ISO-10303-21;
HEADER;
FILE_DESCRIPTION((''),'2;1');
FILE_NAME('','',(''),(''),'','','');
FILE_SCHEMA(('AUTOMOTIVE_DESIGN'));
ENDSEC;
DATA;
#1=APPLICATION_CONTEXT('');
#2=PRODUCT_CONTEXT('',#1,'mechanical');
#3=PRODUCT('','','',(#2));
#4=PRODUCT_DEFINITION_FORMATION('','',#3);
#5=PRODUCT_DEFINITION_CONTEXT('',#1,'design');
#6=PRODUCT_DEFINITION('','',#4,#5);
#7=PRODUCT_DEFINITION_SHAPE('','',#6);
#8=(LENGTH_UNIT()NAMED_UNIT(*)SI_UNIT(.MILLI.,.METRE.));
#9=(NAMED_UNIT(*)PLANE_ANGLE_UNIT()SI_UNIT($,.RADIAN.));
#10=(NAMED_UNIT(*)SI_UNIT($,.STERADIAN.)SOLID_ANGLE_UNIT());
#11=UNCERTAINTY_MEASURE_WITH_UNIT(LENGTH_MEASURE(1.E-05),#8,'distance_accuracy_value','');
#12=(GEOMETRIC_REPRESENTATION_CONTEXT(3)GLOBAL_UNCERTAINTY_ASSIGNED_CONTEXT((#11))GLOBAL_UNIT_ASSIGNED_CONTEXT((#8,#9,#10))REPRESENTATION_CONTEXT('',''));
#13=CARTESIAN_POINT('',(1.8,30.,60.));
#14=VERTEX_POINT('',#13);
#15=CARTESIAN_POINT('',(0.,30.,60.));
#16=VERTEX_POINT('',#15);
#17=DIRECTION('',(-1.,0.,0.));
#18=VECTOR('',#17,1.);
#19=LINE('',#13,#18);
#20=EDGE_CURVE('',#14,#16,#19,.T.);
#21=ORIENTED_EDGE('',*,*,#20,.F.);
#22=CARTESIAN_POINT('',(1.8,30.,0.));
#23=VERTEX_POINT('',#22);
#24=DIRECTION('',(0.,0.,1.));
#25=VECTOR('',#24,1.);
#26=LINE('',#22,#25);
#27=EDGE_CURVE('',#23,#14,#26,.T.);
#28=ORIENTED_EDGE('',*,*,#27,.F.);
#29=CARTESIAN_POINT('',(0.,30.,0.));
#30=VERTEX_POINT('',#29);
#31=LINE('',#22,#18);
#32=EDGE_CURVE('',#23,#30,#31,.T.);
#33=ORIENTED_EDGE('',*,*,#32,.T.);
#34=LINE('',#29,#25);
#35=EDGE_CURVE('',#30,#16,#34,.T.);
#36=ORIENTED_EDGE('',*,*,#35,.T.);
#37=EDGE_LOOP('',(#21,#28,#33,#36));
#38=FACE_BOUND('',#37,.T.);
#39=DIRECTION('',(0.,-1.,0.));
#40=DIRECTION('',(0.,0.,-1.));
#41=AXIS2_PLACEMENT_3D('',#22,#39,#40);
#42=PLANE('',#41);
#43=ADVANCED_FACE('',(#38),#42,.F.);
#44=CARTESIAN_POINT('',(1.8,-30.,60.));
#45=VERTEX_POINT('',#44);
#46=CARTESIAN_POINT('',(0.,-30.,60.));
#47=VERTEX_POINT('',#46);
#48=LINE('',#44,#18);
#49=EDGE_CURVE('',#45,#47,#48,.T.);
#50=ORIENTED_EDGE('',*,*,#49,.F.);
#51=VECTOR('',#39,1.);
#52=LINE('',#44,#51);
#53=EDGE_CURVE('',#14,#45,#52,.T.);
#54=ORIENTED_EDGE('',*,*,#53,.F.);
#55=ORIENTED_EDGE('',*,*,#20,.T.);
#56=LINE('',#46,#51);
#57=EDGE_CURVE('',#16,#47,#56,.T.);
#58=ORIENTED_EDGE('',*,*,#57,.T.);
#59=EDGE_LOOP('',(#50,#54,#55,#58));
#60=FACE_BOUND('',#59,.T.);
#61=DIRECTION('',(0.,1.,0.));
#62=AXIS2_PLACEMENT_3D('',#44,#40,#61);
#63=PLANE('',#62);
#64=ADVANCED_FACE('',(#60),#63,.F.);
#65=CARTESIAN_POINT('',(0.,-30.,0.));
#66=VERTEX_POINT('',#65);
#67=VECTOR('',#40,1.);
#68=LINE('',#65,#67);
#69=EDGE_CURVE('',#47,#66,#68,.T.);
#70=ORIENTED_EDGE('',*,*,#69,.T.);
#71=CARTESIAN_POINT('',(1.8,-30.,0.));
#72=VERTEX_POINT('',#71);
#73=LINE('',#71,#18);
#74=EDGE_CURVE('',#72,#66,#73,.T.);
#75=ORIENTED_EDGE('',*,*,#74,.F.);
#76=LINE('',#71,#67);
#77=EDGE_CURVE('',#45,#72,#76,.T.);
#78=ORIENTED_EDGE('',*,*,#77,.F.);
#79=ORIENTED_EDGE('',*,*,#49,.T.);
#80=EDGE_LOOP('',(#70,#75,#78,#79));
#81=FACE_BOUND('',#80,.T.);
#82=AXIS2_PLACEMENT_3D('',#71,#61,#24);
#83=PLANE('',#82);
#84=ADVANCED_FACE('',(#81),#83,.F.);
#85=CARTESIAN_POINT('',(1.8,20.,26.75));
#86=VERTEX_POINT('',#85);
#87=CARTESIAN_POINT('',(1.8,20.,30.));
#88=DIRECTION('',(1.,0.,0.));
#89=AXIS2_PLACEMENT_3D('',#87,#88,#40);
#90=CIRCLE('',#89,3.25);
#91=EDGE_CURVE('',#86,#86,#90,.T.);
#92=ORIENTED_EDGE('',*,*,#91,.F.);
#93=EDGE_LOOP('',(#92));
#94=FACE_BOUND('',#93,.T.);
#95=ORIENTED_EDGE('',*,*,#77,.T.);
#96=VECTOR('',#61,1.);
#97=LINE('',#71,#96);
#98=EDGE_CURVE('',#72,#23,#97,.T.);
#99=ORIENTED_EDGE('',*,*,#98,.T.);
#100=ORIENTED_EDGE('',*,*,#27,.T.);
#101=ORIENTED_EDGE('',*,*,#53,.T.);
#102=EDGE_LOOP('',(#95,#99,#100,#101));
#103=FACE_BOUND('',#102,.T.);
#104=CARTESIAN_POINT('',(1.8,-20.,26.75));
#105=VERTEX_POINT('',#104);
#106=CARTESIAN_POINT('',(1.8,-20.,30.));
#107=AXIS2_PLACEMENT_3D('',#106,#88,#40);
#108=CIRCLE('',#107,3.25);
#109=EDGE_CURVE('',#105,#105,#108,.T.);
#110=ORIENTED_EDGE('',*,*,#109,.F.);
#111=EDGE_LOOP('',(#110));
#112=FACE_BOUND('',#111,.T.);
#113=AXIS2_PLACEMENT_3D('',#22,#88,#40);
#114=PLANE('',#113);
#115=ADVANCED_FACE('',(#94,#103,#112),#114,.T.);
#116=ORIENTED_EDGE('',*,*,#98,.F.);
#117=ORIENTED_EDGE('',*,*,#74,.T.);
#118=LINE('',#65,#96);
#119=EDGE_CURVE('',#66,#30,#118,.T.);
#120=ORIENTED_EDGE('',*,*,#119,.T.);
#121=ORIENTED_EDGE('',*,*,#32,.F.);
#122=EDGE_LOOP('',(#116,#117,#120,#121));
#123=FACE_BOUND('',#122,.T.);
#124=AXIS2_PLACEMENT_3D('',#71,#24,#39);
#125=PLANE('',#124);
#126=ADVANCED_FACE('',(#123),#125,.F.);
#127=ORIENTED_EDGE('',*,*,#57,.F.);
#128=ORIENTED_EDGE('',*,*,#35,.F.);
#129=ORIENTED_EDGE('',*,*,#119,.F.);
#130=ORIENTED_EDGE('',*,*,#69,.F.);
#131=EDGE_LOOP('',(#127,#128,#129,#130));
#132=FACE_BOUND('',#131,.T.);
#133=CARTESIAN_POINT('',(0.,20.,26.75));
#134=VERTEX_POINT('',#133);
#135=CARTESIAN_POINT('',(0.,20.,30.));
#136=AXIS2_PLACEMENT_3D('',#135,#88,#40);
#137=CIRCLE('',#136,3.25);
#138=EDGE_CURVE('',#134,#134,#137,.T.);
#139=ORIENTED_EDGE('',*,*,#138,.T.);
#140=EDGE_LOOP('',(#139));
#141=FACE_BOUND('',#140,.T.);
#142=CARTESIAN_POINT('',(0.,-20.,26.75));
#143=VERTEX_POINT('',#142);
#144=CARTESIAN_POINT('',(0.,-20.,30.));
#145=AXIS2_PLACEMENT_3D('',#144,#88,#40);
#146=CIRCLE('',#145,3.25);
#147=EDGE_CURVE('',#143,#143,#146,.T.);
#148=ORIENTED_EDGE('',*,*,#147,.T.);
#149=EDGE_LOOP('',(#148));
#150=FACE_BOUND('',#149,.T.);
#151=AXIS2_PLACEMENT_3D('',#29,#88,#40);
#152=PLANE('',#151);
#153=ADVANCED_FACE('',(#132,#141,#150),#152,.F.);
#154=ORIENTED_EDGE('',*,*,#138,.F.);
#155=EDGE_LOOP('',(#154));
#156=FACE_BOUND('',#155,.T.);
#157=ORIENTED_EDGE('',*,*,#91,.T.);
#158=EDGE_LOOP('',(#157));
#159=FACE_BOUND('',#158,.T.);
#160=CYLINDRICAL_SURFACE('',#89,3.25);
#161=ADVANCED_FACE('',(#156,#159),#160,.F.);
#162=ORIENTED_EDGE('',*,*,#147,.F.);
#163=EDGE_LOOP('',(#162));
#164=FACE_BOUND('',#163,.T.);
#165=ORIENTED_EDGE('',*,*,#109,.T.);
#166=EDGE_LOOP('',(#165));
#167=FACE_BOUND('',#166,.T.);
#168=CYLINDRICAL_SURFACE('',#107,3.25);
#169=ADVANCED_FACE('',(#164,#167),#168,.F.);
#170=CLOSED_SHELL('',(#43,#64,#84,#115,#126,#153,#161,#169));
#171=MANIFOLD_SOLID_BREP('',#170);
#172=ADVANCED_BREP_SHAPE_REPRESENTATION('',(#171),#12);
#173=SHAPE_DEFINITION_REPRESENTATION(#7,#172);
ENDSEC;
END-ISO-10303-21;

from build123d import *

# Parameters (mm, degrees)
SKETCH1_W                  = 60
SKETCH1_H                  = 60
BOSS_EXTRUDE1_DEPTH        = 1.8
F_6_5_6_5_DIAMETER_HOLE1_D = 6.5


with BuildPart() as part:
    # Sketch1 → Boss-Extrude1 (new body)
    with BuildSketch(Plane(origin=(0, 0, 0), x_dir=(0, 0, -1), z_dir=(1, 0, 0))):
        with Locations((-30, 0)):
            Rectangle(SKETCH1_W, SKETCH1_H)
    extrude(amount=BOSS_EXTRUDE1_DEPTH)

    # Ø6.5 (6.5) Diameter Hole1 (through all)
    with Locations(Plane(origin=(1.8, 0, 0), x_dir=(0, 0, -1), z_dir=(1, 0, 0))):
        with Locations((-30, -20), (-30, 20)):
            Hole(F_6_5_6_5_DIAMETER_HOLE1_D / 2)


solid = part.part
